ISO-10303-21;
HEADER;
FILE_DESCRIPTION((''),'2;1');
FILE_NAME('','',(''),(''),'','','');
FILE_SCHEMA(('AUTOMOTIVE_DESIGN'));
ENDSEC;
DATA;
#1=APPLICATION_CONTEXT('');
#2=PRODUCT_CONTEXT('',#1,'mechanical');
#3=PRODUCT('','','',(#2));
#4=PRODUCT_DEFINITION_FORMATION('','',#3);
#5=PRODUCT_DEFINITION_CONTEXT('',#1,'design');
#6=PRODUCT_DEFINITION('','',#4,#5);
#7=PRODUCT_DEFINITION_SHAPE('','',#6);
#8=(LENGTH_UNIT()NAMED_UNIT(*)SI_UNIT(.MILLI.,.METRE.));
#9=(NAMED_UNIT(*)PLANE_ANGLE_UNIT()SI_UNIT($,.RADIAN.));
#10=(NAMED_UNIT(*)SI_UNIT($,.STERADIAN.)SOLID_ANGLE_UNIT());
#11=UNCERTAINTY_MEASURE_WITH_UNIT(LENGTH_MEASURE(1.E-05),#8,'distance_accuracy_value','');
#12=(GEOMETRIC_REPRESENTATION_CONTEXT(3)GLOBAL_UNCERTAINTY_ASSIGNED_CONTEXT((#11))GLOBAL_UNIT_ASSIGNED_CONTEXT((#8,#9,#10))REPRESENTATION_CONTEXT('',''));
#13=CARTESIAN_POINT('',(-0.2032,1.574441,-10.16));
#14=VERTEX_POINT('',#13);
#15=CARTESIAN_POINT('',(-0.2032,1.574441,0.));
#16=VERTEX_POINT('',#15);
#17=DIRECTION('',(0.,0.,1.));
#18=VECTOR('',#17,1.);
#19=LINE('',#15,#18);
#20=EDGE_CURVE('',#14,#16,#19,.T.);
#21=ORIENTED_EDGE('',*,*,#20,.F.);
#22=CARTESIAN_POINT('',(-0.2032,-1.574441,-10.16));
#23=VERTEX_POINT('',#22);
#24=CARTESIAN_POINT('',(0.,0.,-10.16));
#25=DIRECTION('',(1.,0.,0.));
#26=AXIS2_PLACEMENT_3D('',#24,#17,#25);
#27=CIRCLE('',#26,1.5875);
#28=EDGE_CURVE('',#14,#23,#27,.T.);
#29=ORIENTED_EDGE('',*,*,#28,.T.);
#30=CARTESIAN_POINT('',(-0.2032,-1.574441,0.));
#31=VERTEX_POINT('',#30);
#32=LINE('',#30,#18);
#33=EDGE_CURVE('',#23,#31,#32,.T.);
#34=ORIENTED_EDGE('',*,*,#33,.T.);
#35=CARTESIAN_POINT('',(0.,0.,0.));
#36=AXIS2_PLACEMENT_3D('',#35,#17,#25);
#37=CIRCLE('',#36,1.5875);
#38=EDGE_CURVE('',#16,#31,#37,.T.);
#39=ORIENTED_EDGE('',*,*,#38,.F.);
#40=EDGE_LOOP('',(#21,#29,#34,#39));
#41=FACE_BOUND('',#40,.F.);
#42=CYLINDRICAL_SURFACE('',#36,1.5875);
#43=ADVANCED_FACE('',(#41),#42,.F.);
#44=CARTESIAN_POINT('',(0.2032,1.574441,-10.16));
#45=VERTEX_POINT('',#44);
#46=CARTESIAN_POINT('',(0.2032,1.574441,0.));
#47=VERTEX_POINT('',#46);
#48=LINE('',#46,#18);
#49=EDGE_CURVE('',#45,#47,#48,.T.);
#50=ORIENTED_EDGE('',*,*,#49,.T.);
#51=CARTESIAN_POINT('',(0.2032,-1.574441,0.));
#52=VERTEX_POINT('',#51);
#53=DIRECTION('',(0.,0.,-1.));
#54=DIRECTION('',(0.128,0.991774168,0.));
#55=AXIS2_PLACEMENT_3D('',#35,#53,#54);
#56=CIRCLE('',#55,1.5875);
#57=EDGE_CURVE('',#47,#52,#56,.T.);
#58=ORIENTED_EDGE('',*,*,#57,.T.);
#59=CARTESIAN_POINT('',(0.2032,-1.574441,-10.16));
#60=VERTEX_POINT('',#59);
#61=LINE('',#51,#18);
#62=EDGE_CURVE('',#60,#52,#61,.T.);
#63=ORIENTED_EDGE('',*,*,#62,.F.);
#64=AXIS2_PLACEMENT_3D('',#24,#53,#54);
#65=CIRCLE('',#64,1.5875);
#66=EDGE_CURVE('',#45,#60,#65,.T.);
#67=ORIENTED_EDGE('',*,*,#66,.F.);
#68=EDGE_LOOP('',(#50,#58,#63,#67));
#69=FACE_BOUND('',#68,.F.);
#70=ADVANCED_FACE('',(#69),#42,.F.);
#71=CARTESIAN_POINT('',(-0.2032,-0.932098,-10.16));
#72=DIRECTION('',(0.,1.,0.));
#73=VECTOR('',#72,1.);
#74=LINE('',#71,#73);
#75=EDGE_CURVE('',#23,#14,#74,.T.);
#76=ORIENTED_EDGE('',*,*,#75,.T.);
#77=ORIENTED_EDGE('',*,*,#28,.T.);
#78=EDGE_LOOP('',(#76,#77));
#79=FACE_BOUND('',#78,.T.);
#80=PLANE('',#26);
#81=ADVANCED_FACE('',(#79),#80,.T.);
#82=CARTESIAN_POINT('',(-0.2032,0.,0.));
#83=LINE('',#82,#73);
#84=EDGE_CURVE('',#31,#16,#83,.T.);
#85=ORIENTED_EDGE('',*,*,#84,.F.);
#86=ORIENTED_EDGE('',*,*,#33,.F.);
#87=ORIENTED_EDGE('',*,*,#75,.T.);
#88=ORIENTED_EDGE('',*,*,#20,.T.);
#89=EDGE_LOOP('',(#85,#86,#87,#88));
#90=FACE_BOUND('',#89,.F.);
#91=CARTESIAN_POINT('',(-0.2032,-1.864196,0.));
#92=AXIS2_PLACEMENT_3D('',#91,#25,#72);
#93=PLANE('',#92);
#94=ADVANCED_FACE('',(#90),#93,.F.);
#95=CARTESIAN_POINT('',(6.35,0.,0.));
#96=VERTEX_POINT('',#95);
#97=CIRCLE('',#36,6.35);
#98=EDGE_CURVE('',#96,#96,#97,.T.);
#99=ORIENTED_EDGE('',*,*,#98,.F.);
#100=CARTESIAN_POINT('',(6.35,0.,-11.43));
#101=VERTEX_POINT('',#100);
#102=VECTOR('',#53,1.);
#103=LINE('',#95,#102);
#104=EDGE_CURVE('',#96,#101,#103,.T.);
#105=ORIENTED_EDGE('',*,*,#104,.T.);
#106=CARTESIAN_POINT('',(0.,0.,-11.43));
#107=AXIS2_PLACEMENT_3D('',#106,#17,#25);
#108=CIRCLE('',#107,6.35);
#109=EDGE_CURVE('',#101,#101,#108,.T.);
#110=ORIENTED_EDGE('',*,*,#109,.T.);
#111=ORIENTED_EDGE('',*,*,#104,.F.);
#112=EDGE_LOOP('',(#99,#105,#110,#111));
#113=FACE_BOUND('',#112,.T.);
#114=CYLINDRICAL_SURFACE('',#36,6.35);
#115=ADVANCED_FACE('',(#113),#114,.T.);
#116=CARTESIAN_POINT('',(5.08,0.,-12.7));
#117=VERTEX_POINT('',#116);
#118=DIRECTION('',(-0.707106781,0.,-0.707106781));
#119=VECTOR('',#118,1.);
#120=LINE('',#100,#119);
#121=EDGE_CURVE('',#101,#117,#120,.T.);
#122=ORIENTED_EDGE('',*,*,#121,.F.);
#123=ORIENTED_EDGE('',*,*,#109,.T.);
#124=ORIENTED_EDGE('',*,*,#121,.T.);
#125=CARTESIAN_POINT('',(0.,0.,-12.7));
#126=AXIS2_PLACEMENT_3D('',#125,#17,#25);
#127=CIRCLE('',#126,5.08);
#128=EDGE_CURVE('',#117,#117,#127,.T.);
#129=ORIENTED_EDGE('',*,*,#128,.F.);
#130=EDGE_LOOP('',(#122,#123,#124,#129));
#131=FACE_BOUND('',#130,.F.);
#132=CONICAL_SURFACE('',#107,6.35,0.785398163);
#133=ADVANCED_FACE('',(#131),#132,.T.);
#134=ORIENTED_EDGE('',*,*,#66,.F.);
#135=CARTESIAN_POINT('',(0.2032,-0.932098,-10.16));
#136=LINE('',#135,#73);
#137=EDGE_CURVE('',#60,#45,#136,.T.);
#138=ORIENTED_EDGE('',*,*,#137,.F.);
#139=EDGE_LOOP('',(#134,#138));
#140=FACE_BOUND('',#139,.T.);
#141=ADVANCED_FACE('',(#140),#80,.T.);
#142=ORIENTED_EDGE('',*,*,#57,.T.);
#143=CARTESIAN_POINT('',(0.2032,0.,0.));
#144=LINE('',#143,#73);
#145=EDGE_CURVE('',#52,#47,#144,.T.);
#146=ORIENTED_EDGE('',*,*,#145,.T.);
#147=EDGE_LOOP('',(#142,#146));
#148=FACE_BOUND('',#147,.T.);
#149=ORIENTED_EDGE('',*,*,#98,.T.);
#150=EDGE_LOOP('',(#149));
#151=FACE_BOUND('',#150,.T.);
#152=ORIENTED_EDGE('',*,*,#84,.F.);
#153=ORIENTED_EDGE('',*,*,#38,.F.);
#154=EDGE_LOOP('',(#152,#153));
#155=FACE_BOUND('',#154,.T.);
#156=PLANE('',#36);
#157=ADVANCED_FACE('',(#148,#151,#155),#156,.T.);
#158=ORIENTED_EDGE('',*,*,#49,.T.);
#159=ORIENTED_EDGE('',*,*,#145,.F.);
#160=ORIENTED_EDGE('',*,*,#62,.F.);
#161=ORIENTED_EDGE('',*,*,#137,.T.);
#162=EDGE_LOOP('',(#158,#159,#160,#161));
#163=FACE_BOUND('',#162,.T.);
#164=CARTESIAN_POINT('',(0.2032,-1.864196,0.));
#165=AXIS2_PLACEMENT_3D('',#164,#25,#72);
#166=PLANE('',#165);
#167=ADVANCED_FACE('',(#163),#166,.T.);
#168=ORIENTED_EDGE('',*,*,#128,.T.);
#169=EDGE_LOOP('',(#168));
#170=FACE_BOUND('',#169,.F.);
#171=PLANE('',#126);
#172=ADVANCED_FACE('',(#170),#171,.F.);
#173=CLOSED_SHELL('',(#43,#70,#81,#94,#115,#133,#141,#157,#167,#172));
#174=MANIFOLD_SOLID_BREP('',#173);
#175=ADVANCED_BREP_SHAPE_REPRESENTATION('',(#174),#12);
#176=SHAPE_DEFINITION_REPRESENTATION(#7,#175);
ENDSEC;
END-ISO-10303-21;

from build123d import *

# Parameters (mm, degrees)
F0_R     = 6.35
F1_DEPTH = 12.7
F2_R     = 1.5875
F3_DEPTH = 10.16
F4_W     = 0.4064
F4_H     = 3.728392
F5_DEPTH = 11.4554
F6_SIZE  = 1.27


with BuildPart() as f1:
    # F0 (on Top) → F1 (new body)
    with BuildSketch(Plane.XY):
        Circle(F0_R)
    extrude(amount=-F1_DEPTH)

    # F2 (on face) → F3 (cut)
    with BuildSketch(Plane.XY):
        Circle(F2_R)
    extrude(amount=-F3_DEPTH, mode=Mode.SUBTRACT)

    # F4 (on Top) → F5 (join)
    with BuildSketch(Plane.XY):
        Rectangle(F4_W, F4_H)
    extrude(amount=-F5_DEPTH)

    # F6
    f6_edges = [f1.edges().sort_by_distance(p)[0] for p in [
        (-6.35, 0, -12.7),
    ]]
    chamfer(f6_edges, length=F6_SIZE)


solid = f1.part
